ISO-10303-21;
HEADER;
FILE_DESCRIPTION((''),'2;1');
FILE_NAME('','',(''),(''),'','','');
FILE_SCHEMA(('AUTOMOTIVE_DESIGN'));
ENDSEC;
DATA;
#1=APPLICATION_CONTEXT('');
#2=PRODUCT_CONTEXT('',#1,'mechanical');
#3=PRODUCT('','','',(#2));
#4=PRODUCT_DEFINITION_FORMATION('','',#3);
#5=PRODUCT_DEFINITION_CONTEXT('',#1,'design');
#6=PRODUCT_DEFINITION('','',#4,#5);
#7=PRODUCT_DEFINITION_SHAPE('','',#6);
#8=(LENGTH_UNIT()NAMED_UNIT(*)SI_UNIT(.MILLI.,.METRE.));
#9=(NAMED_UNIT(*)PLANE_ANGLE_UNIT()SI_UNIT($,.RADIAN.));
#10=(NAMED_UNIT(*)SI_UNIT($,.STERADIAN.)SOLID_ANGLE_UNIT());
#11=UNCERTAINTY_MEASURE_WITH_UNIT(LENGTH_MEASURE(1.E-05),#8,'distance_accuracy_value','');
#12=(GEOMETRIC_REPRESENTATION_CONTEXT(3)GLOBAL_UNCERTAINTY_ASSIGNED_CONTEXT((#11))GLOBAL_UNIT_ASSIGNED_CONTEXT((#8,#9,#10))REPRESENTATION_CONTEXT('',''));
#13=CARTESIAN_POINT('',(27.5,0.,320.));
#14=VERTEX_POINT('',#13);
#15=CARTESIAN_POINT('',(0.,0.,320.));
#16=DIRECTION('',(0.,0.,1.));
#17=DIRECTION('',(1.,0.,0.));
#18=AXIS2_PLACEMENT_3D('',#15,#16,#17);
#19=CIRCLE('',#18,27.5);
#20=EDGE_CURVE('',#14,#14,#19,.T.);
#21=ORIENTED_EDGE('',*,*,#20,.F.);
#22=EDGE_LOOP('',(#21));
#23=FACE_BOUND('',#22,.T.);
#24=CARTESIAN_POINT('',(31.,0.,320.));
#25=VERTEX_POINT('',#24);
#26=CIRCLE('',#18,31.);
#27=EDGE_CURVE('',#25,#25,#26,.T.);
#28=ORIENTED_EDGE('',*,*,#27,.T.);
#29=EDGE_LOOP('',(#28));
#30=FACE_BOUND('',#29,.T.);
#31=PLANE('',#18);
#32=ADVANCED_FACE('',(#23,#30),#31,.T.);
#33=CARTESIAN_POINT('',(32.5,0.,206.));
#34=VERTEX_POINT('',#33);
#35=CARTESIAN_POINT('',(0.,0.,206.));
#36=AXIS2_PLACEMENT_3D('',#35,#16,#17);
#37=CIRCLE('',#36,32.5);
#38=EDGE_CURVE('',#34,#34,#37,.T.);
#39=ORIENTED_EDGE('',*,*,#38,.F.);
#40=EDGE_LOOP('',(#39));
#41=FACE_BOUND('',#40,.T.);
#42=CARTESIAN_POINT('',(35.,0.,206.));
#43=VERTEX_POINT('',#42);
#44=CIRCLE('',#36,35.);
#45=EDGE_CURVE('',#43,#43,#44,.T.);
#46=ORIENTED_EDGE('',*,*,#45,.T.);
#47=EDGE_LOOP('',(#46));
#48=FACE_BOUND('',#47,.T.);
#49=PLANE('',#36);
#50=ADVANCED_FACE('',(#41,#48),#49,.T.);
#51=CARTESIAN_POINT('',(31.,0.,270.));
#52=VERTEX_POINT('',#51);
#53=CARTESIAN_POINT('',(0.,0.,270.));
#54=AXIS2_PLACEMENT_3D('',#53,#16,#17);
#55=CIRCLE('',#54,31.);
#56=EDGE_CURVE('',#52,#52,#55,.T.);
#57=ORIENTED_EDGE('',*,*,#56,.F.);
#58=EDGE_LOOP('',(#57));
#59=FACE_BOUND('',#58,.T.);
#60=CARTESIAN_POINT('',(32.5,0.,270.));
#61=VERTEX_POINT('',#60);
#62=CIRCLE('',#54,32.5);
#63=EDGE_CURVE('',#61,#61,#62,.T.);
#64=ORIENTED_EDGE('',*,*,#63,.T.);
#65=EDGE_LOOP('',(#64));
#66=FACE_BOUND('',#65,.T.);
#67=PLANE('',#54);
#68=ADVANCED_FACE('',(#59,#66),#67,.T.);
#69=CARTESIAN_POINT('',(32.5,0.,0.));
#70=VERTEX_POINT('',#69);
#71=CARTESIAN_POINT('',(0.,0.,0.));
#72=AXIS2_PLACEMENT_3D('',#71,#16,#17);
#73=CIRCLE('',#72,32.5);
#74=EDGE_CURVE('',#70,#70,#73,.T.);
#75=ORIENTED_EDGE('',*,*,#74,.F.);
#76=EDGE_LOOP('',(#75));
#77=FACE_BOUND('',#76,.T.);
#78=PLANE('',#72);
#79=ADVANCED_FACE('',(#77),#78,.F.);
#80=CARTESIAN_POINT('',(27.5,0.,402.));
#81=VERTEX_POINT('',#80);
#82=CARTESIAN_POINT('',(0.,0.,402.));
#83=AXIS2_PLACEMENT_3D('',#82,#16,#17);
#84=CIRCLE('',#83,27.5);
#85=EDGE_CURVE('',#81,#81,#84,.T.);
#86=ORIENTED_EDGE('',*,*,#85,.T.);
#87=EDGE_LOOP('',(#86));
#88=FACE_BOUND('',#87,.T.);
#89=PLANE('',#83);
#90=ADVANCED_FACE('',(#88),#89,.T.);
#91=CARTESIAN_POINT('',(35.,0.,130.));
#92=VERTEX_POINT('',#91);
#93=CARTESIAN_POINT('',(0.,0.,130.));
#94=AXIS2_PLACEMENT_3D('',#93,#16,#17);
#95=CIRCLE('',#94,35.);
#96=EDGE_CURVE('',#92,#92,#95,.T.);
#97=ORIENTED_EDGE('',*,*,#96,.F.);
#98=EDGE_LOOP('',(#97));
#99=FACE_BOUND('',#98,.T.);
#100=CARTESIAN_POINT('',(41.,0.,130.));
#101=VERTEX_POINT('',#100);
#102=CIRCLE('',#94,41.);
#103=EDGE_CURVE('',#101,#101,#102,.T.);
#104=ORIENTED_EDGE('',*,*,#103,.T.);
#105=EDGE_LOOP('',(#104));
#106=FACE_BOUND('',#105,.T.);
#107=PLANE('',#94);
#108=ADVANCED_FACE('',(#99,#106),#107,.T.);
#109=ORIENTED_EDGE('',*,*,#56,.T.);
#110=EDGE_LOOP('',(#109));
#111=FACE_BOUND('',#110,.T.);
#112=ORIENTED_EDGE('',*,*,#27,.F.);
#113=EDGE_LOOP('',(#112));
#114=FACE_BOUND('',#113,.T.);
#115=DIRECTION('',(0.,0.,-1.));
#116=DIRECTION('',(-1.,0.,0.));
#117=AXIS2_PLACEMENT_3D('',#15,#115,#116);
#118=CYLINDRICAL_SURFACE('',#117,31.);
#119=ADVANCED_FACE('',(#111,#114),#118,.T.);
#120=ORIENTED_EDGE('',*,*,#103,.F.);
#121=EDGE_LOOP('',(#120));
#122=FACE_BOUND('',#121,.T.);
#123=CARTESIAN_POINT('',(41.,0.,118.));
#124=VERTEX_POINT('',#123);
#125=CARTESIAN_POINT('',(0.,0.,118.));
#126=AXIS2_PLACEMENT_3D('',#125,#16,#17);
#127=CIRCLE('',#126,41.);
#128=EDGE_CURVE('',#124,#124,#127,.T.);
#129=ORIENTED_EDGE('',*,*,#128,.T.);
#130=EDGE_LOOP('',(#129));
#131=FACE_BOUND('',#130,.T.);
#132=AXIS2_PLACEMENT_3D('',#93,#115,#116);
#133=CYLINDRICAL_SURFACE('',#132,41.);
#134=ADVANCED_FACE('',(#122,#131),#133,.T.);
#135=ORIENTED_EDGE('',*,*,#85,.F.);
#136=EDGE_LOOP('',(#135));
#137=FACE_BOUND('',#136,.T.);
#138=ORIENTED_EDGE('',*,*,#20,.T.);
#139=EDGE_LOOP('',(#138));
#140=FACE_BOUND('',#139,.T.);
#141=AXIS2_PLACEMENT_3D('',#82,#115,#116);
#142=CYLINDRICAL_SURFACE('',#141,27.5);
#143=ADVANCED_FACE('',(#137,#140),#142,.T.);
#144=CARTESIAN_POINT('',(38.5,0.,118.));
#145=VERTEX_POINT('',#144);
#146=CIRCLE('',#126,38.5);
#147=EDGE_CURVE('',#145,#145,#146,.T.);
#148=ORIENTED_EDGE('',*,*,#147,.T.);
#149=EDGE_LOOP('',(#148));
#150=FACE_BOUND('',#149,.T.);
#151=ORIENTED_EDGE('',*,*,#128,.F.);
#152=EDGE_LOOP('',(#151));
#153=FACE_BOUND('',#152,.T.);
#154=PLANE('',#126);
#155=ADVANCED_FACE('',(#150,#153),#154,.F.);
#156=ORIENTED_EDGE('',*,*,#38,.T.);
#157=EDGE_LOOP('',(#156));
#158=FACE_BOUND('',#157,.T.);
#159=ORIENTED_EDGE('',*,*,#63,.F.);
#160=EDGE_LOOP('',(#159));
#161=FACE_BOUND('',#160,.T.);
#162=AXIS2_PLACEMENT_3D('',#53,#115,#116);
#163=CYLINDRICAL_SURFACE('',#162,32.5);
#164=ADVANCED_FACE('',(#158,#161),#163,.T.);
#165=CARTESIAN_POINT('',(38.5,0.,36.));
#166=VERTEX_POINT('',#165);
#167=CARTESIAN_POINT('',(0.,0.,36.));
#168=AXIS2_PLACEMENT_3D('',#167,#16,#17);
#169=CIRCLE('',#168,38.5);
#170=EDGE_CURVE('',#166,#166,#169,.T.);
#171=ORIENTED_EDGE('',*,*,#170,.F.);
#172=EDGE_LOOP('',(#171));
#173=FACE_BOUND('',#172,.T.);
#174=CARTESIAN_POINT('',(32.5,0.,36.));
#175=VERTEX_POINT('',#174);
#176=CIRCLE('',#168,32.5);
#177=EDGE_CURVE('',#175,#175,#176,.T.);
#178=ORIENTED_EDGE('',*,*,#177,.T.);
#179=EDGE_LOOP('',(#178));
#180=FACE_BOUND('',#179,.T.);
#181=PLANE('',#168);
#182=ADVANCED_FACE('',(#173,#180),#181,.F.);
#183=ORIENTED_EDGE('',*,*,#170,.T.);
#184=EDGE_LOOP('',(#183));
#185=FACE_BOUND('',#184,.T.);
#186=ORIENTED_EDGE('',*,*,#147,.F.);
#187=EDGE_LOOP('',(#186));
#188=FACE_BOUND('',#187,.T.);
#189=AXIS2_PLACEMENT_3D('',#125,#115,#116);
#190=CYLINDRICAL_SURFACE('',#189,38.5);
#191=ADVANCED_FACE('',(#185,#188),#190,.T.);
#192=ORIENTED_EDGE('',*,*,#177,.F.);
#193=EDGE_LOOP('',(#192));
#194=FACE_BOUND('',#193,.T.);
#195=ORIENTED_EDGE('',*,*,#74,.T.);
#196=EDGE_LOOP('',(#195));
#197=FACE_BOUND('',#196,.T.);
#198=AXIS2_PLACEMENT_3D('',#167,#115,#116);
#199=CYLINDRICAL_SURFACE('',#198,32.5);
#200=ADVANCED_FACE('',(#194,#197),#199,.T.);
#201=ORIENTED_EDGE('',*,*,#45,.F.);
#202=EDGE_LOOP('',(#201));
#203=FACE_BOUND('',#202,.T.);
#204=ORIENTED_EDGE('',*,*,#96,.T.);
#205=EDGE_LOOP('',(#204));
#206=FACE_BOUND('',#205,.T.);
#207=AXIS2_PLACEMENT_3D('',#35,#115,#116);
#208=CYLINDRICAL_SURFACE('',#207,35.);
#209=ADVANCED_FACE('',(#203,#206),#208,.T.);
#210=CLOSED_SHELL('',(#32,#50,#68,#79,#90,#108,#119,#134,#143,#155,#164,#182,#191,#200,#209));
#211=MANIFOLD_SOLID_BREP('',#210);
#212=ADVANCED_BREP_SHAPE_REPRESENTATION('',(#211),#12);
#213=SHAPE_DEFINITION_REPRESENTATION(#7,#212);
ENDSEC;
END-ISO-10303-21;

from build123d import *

# Parameters (mm, degrees)
SKETCH_1_R      = 32.5
EXTRUDE_1_DEPTH = 36
SKETCH_2_R      = 38.5
EXTRUDE_2_DEPTH = 82
SKETCH_3_R      = 41
EXTRUDE_3_DEPTH = 12
SKETCH_4_R      = 35
EXTRUDE_4_DEPTH = 76
SKETCH_5_R      = 32.5
EXTRUDE_5_DEPTH = 64
SKETCH_6_R      = 31
EXTRUDE_6_DEPTH = 50
SKETCH_7_R      = 27.5
EXTRUDE_7_DEPTH = 82


with BuildPart() as part:
    # 草图1 → 凸台-拉伸1 (new body)
    with BuildSketch(Plane.XY):
        Circle(SKETCH_1_R)
    extrude(amount=EXTRUDE_1_DEPTH)

    # 草图2 → 凸台-拉伸2 (add)
    with BuildSketch(Plane.XY.offset(36)):
        Circle(SKETCH_2_R)
    extrude(amount=EXTRUDE_2_DEPTH)

    # 草图3 → 凸台-拉伸3 (add)
    with BuildSketch(Plane.XY.offset(118)):
        Circle(SKETCH_3_R)
    extrude(amount=EXTRUDE_3_DEPTH)

    # 草图4 → 凸台-拉伸4 (add)
    with BuildSketch(Plane.XY.offset(130)):
        Circle(SKETCH_4_R)
    extrude(amount=EXTRUDE_4_DEPTH)

    # 草图5 → 凸台-拉伸5 (add)
    with BuildSketch(Plane.XY.offset(206)):
        Circle(SKETCH_5_R)
    extrude(amount=EXTRUDE_5_DEPTH)

    # 草图6 → 凸台-拉伸6 (add)
    with BuildSketch(Plane.XY.offset(270)):
        Circle(SKETCH_6_R)
    extrude(amount=EXTRUDE_6_DEPTH)

    # 草图7 → 凸台-拉伸7 (add)
    with BuildSketch(Plane.XY.offset(320)):
        Circle(SKETCH_7_R)
    extrude(amount=EXTRUDE_7_DEPTH)


solid = part.part
